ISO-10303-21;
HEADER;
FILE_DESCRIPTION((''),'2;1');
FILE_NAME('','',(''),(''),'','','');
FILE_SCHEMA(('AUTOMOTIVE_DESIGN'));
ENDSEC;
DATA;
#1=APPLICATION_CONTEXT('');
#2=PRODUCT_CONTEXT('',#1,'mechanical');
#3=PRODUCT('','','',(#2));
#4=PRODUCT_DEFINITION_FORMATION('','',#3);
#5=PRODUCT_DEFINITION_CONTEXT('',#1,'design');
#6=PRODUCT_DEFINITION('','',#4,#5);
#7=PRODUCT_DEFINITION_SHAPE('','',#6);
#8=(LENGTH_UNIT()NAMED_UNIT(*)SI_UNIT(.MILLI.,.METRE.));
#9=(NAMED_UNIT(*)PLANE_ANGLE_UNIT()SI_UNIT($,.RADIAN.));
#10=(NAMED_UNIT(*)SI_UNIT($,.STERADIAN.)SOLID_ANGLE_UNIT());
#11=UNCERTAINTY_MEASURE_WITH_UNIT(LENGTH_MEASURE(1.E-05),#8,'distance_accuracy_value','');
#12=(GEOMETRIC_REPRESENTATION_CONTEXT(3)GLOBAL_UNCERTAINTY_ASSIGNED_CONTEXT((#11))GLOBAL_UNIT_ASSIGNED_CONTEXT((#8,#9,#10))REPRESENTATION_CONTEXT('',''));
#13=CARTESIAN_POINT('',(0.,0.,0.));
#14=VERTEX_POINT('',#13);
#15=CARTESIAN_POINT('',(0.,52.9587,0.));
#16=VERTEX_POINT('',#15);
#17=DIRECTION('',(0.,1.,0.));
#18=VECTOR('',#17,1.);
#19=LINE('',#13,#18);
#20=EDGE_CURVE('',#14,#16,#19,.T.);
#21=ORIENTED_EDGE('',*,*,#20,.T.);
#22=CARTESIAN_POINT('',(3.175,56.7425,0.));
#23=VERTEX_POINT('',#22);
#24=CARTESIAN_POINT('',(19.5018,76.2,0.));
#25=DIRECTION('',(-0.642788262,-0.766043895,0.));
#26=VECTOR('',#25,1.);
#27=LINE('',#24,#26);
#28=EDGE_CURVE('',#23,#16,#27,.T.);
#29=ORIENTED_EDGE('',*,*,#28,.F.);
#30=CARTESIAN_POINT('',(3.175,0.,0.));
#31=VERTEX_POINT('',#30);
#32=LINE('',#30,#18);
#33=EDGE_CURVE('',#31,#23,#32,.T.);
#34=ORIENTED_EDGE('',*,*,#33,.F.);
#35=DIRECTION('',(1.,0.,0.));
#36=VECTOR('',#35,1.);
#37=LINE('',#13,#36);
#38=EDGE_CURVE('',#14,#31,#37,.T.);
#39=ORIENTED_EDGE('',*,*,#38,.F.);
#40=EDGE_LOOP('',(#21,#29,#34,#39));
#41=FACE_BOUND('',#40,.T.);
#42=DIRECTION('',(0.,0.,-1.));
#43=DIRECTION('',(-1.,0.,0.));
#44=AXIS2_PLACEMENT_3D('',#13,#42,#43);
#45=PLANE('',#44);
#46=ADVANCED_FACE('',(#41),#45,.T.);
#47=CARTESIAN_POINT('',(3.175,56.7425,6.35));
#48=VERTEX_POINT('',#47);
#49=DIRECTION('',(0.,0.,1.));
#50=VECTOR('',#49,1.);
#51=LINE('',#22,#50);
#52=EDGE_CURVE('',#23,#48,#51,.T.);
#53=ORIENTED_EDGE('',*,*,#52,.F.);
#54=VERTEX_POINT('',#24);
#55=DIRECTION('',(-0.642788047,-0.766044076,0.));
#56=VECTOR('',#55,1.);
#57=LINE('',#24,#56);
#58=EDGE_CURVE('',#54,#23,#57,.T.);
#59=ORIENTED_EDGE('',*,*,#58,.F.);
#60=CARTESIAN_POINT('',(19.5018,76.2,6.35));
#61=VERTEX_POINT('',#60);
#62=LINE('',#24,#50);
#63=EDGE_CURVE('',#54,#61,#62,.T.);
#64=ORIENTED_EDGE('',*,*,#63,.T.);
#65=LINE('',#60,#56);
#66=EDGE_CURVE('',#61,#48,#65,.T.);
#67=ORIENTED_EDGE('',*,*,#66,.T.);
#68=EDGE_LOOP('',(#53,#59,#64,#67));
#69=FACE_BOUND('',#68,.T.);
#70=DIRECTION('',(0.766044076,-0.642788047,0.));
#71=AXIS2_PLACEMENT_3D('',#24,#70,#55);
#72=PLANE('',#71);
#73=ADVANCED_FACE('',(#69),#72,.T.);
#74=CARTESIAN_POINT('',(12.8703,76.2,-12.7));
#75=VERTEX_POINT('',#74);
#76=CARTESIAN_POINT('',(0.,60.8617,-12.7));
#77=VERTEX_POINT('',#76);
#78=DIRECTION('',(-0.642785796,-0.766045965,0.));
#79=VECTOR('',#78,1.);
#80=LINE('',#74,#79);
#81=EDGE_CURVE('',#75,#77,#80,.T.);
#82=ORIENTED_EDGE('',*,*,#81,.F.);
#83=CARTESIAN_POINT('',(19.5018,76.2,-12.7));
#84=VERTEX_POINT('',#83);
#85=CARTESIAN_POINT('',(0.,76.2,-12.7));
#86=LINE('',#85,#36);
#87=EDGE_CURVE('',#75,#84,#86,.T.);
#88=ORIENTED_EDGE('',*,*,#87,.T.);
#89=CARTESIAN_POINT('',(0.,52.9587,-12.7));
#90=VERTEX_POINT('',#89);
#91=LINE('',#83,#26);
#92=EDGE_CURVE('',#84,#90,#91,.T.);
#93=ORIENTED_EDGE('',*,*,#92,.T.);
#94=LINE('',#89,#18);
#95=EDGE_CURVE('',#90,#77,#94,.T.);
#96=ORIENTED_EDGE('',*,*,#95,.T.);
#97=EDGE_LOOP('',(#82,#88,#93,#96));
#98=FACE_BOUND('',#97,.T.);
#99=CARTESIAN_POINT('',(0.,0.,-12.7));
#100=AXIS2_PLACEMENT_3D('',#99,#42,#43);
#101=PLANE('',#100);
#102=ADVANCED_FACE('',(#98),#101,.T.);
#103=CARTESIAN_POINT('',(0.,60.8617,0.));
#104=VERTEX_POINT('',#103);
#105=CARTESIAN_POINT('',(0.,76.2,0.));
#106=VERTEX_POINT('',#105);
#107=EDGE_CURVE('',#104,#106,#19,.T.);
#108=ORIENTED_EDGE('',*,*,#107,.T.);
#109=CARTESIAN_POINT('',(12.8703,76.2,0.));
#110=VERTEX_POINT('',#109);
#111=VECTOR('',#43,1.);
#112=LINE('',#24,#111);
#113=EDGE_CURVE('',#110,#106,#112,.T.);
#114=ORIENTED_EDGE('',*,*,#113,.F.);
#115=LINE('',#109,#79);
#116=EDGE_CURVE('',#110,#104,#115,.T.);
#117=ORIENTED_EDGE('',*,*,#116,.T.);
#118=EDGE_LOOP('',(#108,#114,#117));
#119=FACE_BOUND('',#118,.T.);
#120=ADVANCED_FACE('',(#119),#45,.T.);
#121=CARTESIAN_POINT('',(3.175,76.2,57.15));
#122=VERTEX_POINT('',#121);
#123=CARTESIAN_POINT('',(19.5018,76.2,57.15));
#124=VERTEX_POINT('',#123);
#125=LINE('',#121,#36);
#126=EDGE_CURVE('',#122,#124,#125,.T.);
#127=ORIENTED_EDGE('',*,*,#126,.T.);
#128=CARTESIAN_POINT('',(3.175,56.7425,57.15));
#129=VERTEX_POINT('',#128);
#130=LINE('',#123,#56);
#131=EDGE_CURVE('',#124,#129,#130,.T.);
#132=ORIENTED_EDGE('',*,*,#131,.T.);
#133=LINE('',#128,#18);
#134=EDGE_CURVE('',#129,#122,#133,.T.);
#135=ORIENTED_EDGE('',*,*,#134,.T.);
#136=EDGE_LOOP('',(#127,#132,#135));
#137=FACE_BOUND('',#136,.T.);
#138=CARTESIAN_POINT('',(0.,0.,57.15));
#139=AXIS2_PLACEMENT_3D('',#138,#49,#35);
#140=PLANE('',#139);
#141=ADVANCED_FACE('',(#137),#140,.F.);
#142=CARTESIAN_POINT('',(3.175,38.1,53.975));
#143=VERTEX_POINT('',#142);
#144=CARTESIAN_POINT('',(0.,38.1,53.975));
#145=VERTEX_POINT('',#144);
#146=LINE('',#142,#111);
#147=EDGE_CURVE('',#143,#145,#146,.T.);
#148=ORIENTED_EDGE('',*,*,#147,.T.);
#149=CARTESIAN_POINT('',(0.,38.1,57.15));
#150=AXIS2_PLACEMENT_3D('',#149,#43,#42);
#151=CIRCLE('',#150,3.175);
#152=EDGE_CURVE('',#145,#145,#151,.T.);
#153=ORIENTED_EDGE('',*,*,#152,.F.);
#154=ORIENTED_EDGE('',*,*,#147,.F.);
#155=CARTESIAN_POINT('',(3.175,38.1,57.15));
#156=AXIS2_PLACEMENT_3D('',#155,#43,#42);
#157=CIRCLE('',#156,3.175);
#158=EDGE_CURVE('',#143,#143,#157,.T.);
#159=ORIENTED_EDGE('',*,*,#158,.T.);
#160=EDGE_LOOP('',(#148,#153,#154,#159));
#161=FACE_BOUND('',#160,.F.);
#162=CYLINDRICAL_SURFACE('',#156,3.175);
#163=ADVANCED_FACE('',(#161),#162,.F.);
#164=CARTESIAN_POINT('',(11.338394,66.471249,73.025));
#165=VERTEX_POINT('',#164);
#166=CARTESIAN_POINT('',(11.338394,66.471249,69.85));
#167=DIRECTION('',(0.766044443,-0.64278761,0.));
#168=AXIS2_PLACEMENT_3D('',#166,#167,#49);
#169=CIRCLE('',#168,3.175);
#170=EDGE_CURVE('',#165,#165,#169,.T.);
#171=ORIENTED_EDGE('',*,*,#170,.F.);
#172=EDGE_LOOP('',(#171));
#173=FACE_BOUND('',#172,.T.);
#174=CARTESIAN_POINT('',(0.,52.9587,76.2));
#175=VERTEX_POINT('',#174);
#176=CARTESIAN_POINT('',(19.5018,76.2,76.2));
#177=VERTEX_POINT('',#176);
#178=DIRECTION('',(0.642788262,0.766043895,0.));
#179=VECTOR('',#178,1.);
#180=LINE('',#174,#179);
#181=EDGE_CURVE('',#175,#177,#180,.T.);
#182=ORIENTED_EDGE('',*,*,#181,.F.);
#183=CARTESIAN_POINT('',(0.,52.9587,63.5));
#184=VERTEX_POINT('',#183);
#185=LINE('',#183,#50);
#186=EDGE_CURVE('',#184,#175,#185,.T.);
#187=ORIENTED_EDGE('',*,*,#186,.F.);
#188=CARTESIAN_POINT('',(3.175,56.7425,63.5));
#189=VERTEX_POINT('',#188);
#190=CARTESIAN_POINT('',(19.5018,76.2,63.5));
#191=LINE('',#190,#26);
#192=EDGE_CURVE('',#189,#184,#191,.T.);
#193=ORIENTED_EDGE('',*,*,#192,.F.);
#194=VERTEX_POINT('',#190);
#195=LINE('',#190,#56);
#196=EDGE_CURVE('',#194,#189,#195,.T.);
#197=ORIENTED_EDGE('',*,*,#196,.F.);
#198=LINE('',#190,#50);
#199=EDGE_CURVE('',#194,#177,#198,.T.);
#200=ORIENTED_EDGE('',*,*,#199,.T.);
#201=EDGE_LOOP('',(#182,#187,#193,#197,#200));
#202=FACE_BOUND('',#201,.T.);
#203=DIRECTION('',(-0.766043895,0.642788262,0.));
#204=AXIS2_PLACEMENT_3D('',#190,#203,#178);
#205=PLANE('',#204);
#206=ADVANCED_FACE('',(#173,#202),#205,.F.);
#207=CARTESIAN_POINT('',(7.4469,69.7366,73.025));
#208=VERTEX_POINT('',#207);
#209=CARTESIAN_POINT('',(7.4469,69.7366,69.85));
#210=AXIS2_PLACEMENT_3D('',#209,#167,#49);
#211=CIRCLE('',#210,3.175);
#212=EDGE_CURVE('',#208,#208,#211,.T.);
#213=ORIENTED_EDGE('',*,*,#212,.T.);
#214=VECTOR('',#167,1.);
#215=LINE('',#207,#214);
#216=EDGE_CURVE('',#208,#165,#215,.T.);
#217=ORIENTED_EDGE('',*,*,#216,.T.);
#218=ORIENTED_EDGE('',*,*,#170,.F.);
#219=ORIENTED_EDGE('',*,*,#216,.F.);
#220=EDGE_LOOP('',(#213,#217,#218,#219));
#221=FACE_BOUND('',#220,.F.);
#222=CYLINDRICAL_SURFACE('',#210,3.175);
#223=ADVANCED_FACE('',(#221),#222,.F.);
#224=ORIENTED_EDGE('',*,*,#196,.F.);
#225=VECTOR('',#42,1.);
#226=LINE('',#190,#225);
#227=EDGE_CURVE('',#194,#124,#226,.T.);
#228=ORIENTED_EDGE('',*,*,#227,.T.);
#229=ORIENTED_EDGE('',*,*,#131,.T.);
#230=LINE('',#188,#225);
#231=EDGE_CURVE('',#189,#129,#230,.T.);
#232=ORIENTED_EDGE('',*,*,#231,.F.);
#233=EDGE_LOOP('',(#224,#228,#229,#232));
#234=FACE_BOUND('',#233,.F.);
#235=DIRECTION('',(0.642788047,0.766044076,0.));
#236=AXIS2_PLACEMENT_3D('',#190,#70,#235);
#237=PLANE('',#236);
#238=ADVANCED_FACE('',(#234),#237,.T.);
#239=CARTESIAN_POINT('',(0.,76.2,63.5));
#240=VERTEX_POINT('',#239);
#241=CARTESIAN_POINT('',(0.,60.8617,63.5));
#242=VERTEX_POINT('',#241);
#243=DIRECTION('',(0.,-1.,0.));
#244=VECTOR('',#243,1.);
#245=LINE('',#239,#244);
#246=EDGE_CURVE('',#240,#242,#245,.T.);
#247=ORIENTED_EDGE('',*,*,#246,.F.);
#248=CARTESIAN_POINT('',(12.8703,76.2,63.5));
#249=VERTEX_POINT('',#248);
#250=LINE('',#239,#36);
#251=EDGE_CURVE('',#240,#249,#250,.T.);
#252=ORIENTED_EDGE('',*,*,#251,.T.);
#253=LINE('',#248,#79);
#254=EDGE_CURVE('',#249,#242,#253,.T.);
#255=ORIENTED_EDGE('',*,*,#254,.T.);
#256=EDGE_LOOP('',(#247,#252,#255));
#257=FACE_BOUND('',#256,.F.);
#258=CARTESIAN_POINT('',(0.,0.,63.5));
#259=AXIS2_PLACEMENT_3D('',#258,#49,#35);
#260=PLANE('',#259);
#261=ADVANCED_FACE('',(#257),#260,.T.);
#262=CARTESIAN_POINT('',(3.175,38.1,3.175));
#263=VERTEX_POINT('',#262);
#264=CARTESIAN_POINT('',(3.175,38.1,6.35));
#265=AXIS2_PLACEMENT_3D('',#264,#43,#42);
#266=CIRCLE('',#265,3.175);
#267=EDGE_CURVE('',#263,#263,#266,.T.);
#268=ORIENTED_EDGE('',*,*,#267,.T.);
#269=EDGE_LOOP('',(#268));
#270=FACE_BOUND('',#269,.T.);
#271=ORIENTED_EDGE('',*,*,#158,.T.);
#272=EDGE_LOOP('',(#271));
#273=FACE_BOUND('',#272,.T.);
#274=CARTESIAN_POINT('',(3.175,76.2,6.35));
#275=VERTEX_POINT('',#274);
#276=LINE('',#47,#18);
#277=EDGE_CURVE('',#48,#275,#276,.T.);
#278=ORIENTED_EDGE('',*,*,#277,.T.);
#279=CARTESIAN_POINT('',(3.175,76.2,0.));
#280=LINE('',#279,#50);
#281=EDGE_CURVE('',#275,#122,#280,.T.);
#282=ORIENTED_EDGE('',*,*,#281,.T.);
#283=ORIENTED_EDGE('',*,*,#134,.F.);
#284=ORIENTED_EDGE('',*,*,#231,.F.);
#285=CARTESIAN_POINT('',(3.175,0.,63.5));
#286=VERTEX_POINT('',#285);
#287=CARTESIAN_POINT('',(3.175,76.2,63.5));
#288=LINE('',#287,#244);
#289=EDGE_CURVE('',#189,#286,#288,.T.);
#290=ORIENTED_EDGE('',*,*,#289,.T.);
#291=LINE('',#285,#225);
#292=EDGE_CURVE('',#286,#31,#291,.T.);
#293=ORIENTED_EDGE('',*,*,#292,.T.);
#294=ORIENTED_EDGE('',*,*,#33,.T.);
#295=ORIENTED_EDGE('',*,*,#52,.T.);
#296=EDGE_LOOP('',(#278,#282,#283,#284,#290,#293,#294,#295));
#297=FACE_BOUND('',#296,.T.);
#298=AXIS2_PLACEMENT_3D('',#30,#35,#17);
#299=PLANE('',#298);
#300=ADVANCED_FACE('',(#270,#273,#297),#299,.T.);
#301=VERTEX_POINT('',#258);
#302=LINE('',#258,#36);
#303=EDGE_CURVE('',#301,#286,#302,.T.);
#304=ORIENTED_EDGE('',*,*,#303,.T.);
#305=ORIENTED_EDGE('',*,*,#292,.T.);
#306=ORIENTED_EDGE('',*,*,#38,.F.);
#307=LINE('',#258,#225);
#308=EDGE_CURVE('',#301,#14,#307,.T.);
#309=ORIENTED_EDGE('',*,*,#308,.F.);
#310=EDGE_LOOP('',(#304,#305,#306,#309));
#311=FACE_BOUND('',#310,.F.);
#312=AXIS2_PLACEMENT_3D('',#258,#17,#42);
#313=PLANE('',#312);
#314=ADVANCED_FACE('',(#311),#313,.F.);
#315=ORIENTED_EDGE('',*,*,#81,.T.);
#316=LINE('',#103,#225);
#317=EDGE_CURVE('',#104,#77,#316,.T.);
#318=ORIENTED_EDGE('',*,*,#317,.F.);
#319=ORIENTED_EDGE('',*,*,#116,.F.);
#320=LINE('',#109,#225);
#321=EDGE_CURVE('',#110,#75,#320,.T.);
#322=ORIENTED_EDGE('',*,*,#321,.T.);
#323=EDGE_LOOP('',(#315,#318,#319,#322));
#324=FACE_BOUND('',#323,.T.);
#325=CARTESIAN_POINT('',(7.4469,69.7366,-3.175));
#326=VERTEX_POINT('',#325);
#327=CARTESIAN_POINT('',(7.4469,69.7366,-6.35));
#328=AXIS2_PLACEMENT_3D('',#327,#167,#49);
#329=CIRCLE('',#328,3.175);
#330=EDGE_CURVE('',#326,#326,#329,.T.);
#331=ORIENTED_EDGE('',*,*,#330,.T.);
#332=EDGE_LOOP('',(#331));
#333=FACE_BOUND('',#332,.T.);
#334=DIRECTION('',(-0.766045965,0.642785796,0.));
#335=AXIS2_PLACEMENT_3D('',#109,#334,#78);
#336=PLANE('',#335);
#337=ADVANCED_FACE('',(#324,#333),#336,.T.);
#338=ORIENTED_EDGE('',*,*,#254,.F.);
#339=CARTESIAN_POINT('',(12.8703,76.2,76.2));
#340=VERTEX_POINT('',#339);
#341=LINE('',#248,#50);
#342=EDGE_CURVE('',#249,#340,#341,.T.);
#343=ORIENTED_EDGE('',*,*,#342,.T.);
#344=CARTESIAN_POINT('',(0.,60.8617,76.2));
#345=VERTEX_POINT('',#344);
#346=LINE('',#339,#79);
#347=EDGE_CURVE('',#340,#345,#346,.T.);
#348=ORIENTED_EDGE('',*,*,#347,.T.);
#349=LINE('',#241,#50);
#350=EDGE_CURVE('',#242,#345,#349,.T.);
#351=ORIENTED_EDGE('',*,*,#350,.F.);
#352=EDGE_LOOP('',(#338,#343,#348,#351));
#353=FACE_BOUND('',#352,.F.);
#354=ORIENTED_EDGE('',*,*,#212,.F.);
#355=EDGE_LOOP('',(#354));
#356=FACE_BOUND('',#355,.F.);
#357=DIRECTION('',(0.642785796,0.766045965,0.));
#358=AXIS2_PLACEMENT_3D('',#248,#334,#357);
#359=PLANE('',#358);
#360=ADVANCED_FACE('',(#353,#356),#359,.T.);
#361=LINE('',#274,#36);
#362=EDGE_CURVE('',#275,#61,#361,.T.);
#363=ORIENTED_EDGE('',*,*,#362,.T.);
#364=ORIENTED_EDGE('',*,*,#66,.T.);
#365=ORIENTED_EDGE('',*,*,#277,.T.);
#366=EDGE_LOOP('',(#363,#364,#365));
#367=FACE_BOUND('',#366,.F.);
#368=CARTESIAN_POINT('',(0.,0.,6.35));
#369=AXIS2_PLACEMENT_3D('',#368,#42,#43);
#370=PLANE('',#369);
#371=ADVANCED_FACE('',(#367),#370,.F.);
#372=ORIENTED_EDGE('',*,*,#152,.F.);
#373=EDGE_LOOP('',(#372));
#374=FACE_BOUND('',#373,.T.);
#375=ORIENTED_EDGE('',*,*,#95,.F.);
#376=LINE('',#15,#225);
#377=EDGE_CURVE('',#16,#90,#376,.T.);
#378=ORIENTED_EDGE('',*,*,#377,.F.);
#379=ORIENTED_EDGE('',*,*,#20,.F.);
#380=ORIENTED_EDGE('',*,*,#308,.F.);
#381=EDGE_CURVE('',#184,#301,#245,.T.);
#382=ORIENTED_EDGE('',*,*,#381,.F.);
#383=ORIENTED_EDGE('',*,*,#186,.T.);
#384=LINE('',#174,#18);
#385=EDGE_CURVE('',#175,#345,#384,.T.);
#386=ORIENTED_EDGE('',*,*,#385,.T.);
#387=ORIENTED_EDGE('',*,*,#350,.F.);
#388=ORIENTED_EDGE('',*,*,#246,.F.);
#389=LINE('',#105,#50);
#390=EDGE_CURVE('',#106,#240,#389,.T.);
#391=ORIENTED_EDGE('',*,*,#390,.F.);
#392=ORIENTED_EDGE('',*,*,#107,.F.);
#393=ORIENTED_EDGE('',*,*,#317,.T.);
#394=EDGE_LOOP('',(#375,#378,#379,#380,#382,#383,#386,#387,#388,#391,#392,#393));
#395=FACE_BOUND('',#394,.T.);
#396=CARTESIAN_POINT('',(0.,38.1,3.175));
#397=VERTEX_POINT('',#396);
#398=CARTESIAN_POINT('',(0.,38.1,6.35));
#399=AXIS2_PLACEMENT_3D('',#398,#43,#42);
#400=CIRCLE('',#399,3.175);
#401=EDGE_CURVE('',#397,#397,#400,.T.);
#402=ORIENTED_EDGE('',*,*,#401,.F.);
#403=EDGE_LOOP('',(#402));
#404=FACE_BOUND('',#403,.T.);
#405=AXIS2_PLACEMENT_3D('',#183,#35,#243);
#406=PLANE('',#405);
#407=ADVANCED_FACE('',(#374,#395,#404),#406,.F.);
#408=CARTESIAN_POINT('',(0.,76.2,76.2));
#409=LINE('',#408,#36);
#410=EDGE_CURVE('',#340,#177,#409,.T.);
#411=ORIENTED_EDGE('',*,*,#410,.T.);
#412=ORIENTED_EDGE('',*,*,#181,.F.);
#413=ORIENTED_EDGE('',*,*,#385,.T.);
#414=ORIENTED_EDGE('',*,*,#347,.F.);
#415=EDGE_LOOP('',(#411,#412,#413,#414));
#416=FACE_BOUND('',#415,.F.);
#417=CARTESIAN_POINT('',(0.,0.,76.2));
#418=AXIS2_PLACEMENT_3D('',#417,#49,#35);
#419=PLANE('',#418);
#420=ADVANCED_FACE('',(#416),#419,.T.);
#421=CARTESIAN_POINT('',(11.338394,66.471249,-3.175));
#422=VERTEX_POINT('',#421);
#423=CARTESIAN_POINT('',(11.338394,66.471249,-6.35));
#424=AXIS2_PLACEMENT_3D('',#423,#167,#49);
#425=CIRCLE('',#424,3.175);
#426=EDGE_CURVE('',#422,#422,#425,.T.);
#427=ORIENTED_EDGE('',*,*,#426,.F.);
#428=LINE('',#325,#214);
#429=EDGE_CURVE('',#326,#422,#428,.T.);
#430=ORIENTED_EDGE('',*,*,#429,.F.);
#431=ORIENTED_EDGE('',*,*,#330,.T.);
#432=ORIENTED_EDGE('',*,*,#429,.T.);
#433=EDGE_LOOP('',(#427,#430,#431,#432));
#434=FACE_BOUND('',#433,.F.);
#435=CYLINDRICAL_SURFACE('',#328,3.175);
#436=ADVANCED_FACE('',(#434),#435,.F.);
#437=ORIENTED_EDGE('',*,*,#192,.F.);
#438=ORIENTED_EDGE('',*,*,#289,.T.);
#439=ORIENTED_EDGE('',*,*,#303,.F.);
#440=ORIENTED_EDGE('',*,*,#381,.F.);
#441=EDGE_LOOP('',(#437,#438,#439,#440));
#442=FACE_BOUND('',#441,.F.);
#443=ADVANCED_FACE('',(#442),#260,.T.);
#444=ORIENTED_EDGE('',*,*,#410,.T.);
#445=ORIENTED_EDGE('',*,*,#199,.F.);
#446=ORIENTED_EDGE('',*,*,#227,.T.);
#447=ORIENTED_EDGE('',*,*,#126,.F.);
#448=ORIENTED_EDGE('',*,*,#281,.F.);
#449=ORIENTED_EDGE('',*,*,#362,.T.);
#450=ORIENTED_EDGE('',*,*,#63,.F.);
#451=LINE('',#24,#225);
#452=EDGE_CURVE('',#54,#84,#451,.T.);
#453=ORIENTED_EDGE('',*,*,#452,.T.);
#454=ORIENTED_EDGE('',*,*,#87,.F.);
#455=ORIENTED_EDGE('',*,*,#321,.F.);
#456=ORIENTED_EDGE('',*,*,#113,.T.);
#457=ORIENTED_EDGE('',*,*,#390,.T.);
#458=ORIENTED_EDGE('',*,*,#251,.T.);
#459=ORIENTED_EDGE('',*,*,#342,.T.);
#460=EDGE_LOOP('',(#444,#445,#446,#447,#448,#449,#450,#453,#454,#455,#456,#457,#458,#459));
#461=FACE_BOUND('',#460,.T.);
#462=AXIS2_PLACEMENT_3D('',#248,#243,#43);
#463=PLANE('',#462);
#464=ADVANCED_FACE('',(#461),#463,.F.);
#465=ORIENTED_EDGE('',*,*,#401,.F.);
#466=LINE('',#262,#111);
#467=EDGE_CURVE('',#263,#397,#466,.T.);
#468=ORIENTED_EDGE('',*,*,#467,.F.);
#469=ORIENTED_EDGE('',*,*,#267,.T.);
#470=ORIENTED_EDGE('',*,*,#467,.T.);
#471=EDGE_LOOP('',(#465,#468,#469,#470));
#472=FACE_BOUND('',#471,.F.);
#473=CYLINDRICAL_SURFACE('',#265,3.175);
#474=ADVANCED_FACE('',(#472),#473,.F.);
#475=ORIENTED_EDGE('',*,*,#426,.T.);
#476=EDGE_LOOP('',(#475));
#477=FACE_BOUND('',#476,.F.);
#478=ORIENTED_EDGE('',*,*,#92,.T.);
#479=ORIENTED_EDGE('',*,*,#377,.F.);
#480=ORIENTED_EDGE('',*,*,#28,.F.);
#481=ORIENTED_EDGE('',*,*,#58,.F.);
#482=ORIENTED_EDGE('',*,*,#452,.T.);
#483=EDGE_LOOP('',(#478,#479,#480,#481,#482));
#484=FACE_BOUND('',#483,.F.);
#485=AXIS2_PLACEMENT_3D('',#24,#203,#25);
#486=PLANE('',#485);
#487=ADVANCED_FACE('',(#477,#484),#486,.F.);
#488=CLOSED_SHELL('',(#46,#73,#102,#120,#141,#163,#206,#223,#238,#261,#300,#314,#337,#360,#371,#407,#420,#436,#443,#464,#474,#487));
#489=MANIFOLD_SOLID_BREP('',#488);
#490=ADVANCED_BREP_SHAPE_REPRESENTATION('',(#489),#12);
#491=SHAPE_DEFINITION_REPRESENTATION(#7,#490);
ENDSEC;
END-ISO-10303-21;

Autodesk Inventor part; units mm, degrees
ref_plane "YZ Plane" through (0, 0, 0) normal (1, 0, 0) x (0, 1, 0)
ref_plane "XZ Plane" through (0, 0, 0) normal (0, 1, 0) x (-1, 0, 0)
ref_plane "XY Plane" through (0, 0, 0) normal (0, 0, 1) x (1, 0, 0)
sketch "Sketch1" plane through (0, 0, 0) normal (1, 0, 0) x (0, 1, 0)
  line L0 (76.2, 63.5) -> (0, 63.5)
  line L1 (0, 63.5) -> (0, 0)
  line L2 (0, 0) -> (76.2, 0)
  line L3 (76.2, 0) -> (76.2, 63.5)
  dimension "d0" = 76.2
  dimension "d1" = 63.5
extrude "Extrusion1" add sketch "Sketch1" along normal blind 3.175
sketch "Sketch2" plane through (3.175, 0, 0) normal (1, 0, 0) x (0, 0, -1)
  line L0 (-63.5, 76.2) -> (-63.5, 0) projected
  line L1 (0, 0) -> (0, 76.2) projected
  line L2 (0, 76.2) -> (-63.5, 76.2) projected
  point P0 (-57.15, 38.1)
  point P1 (-6.35, 38.1)
  dimension "d11" = 6.35
  dimension "d12" = 6.35
  dimension "d13" = 38.1
  dimension "d14" = 38.1
hole "Hole1" at (3.175, 38.1, 57.15) at (3.175, 38.1, 6.35) direction (-1, 0, 0) diameter 6.35 end through all
sketch "Sketch3" plane through (0, 0, 0) normal (0, 0, -1) x (-1, 0, 0)
  line L0 (-19.5018, 76.2) -> (-3.175, 56.7425)
  line L1 (-3.175, 56.7425) -> (-3.175, 76.2)
  line L2 (-3.175, 0) -> (-3.175, 76.2) projected
  line L3 (-3.175, 76.2) -> (-19.5018, 76.2)
  line L4 (0, 76.2) -> (-3.175, 76.2) projected
  point P0 (0, 0)
  dimension "d15" = 40
  dimension "d18" = 25.4
extrude "Extrusion2" add sketch "Sketch3" against normal blind 6.35
sketch "Sketch4" plane through (0, 0, 0) normal (0, 0, -1) x (-1, 0, 0)
  line L0 (0, 76.2) -> (-19.5018, 76.2) projected
  line L1 (-19.5018, 76.2) -> (0, 52.9587)
  line L2 (-19.5018, 76.2) -> (-12.8703, 76.2)
  line L3 (-12.8703, 76.2) -> (0, 60.8617)
  line L4 (-3.175, 56.7425) -> (-19.5018, 76.2) projected
  line L5 (0, 52.9587) -> (0, 60.8617)
  line L6 (0, 0) -> (0, 76.2) projected
  point P0 (-3.175, 76.2)
  dimension "d21" = 5.08
extrude "Extrusion3" add sketch "Sketch4" along normal blind 12.7 contours L3 L5 L1 L0
ref_plane "Work Plane1" through (0, 0, 31.75) normal (0, 0, -1) x (-1, 0, 0)
mirror "Mirror1" about plane through (0, 0, 31.75) normal (0, 0, -1) of "Extrusion2", "Extrusion3"
sketch "Sketch5" plane through (12.8703, 76.2, -12.7) normal (-0.766, 0.6428, 0) x (0, 0, 1)
  line L0 (88.9, -20.0227) -> (88.9, 0) projected
  line L1 (76.2, -21.1374) -> (88.9, -21.1374) projected
  point P0 (12.7, -66.6455)
  point P1 (6.35, -8.4374)
  point P2 (82.55, -8.4374)
  point P3 (88.9, -15.0833)
  point P4 (88.9, -26.0768)
  dimension "d31" = 76.2
  dimension "d32" = 6.35
  dimension "d33" = 12.7
hole "Hole2" at (7.4469, 69.7366, -6.35) at (7.4469, 69.7366, 69.85) direction (0.766, -0.6428, 0) diameter 6.35 end through all
properties part number "conecter bracet cover plate"
